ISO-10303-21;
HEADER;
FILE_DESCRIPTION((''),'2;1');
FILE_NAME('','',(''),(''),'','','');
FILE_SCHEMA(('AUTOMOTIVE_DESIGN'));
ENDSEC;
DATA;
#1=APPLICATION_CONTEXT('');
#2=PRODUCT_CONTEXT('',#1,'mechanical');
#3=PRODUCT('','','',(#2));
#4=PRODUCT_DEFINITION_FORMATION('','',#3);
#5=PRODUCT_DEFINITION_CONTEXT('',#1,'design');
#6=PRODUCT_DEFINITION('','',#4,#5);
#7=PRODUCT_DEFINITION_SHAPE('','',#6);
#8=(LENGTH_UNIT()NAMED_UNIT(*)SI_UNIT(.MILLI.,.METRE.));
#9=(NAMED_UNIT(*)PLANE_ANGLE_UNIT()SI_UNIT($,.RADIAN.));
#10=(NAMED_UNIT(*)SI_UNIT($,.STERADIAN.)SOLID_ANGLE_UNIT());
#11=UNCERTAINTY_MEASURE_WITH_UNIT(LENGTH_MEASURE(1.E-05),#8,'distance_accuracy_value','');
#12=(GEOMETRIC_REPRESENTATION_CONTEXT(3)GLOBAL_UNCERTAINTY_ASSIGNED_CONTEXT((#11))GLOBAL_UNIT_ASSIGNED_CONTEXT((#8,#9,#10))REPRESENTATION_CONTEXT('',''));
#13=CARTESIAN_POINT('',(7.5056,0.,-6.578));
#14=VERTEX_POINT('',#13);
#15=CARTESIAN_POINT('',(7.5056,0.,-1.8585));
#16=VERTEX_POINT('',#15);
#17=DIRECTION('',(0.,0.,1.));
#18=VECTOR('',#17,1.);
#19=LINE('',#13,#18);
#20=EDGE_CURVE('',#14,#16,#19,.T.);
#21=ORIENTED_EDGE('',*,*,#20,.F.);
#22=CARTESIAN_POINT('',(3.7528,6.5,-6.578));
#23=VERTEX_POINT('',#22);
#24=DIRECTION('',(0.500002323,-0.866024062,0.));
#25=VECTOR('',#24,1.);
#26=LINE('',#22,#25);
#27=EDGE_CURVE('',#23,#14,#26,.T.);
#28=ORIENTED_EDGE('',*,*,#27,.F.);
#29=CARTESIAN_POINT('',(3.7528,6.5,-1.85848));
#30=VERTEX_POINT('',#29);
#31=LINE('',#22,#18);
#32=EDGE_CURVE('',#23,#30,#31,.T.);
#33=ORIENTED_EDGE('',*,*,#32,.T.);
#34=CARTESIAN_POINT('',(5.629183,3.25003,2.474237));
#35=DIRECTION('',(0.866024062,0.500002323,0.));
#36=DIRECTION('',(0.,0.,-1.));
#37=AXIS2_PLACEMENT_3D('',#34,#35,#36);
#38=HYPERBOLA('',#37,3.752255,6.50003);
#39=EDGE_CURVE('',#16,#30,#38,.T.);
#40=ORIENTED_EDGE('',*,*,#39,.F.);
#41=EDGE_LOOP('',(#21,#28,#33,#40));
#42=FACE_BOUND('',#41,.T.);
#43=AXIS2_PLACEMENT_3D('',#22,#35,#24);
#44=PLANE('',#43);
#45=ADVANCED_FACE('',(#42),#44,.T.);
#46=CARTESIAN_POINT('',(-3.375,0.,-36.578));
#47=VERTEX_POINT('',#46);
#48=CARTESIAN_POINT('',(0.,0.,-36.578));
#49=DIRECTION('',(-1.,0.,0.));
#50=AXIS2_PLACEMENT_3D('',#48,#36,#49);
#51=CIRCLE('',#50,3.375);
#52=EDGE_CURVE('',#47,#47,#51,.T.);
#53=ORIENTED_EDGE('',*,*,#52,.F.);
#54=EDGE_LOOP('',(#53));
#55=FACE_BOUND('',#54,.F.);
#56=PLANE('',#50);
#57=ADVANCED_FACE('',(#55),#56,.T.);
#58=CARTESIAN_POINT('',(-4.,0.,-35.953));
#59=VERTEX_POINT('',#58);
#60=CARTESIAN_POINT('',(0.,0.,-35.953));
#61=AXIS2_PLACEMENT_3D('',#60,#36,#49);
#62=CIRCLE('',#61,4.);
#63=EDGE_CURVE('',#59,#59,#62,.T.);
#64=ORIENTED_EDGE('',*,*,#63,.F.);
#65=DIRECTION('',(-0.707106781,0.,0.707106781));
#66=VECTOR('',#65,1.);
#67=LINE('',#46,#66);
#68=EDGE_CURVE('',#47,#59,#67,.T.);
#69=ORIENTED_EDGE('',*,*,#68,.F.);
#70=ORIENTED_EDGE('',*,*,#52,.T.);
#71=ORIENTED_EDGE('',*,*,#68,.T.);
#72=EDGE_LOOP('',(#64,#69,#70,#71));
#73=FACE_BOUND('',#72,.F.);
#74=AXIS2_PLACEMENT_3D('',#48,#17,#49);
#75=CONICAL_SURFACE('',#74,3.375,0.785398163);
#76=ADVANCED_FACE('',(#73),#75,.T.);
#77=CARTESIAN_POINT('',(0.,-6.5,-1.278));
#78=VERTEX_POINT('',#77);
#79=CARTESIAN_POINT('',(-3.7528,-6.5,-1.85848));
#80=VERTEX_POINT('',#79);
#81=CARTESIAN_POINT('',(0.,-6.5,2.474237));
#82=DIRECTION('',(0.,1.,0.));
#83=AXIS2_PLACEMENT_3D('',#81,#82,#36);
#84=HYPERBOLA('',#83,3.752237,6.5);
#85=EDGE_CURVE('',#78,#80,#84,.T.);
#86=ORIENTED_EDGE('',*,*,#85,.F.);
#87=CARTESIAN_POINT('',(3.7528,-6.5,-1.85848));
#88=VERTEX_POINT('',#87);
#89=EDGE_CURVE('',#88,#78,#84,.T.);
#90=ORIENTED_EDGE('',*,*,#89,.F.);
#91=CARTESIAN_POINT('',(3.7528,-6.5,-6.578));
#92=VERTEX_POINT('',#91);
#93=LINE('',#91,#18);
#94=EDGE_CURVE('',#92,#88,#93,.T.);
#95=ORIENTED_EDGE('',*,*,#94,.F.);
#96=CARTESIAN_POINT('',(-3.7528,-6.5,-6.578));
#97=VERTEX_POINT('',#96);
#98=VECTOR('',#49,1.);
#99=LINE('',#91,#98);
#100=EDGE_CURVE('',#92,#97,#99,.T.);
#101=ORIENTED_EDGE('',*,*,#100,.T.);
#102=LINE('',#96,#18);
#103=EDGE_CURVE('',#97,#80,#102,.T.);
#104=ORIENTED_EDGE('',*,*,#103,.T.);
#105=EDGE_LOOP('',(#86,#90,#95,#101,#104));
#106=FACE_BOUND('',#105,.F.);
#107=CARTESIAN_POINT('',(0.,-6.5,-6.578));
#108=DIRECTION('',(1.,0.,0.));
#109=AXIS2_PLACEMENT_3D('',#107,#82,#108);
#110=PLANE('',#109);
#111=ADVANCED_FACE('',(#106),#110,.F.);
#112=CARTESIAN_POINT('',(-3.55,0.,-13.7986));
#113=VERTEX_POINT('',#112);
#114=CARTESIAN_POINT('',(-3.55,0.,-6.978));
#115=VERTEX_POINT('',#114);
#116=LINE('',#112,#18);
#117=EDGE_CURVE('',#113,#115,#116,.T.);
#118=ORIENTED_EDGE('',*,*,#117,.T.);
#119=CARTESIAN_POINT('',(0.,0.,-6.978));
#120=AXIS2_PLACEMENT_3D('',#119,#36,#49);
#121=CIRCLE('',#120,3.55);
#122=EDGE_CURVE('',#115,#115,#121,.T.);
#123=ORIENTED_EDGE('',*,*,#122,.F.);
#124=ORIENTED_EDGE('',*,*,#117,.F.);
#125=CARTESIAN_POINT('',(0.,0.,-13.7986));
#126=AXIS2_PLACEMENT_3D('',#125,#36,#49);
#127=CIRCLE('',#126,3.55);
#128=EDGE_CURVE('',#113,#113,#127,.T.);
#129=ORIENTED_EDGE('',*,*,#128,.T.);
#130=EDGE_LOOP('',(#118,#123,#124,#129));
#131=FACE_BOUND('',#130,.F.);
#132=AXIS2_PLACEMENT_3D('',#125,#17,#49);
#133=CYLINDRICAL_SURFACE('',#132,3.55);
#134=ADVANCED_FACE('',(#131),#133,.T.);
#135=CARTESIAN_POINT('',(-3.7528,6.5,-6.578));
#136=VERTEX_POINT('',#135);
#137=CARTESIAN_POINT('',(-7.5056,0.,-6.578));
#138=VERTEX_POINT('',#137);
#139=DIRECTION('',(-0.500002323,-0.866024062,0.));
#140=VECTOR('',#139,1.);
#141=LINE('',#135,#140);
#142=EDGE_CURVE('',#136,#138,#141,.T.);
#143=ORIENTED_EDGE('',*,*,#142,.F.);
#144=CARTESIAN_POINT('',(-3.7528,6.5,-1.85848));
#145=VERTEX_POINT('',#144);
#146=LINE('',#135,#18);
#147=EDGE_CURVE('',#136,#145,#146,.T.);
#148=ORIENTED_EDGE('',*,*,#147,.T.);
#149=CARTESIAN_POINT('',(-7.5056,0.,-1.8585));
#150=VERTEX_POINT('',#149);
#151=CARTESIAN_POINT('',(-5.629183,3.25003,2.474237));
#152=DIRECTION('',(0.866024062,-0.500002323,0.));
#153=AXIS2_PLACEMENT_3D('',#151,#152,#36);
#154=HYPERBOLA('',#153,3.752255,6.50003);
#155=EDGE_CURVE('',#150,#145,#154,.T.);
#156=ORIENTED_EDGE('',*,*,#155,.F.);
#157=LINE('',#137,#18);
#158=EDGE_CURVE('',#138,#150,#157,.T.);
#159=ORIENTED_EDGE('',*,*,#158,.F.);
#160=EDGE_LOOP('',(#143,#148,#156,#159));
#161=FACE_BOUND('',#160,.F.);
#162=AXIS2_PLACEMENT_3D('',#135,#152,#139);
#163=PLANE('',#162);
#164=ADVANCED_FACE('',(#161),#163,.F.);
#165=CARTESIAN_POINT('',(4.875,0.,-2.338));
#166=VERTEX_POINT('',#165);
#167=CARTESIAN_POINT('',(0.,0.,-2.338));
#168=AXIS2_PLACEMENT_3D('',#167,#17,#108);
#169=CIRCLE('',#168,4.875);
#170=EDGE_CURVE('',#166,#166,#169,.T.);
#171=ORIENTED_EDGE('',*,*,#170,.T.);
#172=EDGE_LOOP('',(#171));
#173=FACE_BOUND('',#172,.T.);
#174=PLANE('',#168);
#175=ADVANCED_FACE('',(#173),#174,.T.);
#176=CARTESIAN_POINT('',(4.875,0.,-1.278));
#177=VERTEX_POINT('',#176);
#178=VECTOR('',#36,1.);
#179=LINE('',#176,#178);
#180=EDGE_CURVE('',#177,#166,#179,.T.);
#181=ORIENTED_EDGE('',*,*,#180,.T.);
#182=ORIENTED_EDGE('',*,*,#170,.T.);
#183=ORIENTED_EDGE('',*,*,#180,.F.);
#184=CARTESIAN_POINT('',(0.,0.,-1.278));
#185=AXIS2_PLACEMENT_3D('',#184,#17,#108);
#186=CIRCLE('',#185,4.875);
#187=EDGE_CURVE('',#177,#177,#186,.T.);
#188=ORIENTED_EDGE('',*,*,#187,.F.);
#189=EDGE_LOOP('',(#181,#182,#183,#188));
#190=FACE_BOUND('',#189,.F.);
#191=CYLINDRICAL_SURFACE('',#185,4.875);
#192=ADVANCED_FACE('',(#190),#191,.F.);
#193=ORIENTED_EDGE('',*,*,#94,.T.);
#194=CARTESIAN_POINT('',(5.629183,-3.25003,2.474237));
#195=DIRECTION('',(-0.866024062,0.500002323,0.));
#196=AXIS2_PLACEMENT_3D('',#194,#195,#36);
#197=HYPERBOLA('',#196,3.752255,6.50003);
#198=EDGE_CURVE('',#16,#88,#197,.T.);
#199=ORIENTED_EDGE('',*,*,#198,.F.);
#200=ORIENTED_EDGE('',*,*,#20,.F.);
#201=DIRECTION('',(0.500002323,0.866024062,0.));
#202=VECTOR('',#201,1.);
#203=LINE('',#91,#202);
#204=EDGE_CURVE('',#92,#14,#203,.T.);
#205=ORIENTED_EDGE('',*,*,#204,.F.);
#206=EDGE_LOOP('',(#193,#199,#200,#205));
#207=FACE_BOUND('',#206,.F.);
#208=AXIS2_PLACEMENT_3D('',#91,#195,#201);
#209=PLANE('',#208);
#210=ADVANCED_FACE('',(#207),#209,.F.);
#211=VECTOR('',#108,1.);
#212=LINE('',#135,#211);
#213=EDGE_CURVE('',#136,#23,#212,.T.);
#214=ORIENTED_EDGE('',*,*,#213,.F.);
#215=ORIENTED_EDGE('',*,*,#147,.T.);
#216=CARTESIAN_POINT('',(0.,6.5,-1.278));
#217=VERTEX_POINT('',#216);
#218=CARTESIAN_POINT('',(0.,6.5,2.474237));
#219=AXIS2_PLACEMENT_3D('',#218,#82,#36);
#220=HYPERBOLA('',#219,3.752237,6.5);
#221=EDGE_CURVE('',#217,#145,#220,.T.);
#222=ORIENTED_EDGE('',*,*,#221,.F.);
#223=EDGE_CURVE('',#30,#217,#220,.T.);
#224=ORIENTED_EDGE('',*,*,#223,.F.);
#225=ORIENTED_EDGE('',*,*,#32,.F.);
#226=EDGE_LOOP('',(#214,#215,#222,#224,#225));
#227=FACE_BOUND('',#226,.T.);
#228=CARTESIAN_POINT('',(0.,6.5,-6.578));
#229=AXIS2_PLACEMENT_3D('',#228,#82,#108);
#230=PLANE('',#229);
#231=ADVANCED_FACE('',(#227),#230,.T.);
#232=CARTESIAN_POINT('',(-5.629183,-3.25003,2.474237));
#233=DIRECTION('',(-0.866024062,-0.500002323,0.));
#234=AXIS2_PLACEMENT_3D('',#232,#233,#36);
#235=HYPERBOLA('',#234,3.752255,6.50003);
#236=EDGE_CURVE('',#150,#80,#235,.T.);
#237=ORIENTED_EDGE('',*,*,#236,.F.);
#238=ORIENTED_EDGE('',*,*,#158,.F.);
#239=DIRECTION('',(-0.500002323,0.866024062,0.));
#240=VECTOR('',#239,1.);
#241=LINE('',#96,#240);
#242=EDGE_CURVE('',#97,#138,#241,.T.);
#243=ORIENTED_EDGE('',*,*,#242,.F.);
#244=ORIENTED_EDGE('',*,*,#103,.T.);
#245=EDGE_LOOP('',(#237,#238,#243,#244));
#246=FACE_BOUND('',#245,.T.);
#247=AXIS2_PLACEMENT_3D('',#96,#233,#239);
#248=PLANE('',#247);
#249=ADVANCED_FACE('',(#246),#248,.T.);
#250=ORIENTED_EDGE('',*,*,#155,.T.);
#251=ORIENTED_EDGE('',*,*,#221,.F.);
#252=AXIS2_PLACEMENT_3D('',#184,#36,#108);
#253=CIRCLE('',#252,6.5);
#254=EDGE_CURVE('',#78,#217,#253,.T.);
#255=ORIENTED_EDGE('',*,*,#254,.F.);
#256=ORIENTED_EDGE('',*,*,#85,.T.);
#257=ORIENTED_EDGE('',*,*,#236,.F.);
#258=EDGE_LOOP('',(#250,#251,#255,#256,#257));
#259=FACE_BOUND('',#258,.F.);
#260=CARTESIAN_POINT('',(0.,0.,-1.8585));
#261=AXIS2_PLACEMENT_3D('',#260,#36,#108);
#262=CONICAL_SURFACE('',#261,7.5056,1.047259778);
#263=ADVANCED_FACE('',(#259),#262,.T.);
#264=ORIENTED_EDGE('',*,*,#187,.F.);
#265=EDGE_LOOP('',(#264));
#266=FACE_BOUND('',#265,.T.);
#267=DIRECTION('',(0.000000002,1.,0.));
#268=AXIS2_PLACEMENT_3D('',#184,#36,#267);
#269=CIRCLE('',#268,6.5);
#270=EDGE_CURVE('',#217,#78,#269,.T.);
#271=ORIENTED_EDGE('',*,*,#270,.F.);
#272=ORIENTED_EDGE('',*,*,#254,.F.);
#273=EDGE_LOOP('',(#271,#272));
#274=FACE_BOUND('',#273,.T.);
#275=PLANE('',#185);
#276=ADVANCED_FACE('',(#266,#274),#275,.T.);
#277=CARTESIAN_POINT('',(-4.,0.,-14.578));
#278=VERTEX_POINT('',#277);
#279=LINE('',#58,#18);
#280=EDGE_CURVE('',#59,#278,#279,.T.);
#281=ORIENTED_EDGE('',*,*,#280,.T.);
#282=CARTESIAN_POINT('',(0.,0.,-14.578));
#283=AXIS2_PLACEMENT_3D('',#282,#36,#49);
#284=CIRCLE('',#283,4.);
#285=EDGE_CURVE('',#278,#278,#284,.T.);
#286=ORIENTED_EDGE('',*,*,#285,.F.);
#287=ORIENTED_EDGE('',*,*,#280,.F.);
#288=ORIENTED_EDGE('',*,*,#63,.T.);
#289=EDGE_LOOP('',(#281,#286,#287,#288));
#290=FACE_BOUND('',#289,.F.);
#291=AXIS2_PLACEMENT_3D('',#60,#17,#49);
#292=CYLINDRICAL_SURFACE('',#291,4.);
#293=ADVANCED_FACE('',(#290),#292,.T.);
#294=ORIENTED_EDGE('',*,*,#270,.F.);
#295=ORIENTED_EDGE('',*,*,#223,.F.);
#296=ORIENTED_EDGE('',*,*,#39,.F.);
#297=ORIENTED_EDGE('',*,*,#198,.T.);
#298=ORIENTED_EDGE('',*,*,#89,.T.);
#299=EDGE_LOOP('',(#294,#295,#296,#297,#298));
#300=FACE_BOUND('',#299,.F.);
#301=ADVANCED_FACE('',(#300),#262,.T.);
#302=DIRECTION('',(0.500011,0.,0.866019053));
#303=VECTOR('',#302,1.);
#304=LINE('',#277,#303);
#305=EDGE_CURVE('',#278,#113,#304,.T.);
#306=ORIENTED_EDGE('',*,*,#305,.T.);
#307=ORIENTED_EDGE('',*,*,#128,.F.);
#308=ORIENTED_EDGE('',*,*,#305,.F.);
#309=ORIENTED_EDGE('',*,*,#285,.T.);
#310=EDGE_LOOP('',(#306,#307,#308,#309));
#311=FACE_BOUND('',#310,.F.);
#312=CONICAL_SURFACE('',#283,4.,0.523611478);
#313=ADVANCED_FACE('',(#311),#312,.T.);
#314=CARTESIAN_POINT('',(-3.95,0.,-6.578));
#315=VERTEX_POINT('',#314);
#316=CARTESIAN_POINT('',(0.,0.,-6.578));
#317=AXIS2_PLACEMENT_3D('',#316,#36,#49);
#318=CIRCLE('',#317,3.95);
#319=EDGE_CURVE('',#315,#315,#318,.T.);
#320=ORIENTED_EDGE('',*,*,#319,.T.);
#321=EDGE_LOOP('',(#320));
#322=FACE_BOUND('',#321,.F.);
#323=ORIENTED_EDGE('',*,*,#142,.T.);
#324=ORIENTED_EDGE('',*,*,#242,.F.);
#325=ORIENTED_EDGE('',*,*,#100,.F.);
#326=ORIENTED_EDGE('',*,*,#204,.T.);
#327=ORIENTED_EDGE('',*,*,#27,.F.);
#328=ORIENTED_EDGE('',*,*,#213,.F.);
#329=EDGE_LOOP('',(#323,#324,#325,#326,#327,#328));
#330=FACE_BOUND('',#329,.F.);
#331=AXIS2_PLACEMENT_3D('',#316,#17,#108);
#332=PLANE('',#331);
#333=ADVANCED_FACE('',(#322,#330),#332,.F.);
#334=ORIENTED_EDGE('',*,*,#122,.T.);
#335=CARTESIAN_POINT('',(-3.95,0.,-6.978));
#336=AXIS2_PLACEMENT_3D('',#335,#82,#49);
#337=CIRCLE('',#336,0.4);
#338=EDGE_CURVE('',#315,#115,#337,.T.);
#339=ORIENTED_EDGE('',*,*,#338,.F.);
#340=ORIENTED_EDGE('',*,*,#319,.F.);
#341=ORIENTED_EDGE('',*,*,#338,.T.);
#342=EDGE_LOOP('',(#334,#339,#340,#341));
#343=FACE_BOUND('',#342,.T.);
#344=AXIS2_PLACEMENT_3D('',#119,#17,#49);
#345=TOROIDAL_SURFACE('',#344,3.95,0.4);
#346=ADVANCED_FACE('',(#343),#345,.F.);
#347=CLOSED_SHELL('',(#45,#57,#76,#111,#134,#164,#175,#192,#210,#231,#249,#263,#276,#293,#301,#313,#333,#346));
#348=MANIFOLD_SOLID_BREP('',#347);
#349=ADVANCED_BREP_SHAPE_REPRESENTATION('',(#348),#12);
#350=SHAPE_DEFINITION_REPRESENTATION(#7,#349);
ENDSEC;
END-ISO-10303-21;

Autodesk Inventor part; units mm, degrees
ref_plane "YZ Plane" through (0, 0, 0) normal (1, 0, 0) x (0, 1, 0)
sketch "Sketch2" plane through (0, 0, 0) normal (0, 1, 0) x (-1, 0, 0)
  line L0 (0, -6.578) -> (0, -36.578)
  line L1 (0, -36.578) -> (3.375, -36.578)
  line L2 (4, -35.953) -> (4, -14.578)
  line L3 (4, -14.578) -> (3.55, -13.7986)
  line L4 (3.55, -13.7986) -> (3.55, -6.578)
  line L5 (3.55, -6.578) -> (0, -6.578)
  line L6 (3.375, -36.578) -> (4, -35.953)
  line L7 (4, -36.578) -> (4, -37.4619)
  line L8 (0, -43.6386) -> (0, -0.4012) projected
  dimension "Ds" = 7.1
  dimension "NND" = 8
  dimension "b" = 22
  dimension "d3" = 30
  dimension "d5" = 45
  dimension "PTC" = 1.25
  dimension "NLG" = 30
revolve "Revolution1" add sketch "Sketch2" angle 360 about axis through (0, 0, -6.578) along (0, 0, -1)
sketch "Sketch3" plane through (0, 0, -6.578) normal (0, 0, 1) x (1, 0, 0)
  circle A0 centre (0, 0) radius 3.55 projected
  line L0 (0, 6.5) -> (3.7528, 6.5)
  line L1 (3.7528, 6.5) -> (7.5056, 0)
  line L2 (7.5056, 0) -> (0, 0)
  line L3 (0, 0) -> (0, 6.5)
  line L4 (0, 6.5) -> (-3.7528, 6.5)
  line L5 (-3.7528, 6.5) -> (-7.5056, 0)
  line L6 (0, -6.5) -> (3.7528, -6.5)
  line L7 (3.7528, -6.5) -> (7.5056, 0)
  line L8 (-3.7528, -6.5) -> (-7.5056, 0)
  line L9 (0, -6.5) -> (-3.7528, -6.5)
  dimension "d9" = 60
  dimension "ParS" = 13
  dimension "msp_d11" = 13
extrude "Extrusion1" add sketch "Sketch3" along normal blind 5.3
sketch "Sketch4" plane through (0, 0, 0) normal (0, 1, 0) x (-1, 0, 0)
  line L0 (-6.5, -1.278) -> (-7.5056, -1.278)
  line L1 (-7.5056, -1.278) -> (-7.5056, -1.8585)
  line L2 (-7.5056, -1.8585) -> (-6.5, -1.278)
  line L3 (0, -13.4454) -> (0, 34.6268) projected
  line L4 (0, 27.7593) -> (0, 27.1787)
  line L5 (-7.5056, -6.578) -> (-7.5056, -1.278) projected
  line L6 (-3.7528, -1.278) -> (-7.5056, -1.278) projected
  dimension "d14" = 30
  dimension "msp_d15" = 13
revolve "Revolution2" cut sketch "Sketch4" angle 360 about axis through (0, 0, 27.7593) along (0, 0, -1)
sketch "Sketch5" plane through (0, 0, -1.278) normal (0, 0, 1) x (1, 0, 0)
  arc A0 (5.6292, 3.25) -> (0, 6.5) centre (0, 0) ccw projected
  circle A1 centre (0, 0) radius 4.875
  dimension "d27" = 9.75
extrude "Extrusion2" cut sketch "Sketch5" against normal blind 1.06
thread "Thread1" size "M8x1.25" class "6g" standard "ISO Metric profile" full length
ref_plane "MSC_PF1" through (0, 0, 0) normal (0, 1, 0) x (-1, 0, 0)
ref_plane "MSC_PT1" through (0, 0, -6.578) normal (0, 0, -1) x (-1, 0, 0)
fillet "Fillet1" radius 0.4 1 edges at (3.55, 0, -6.578)
equation "\"msp_d11\" = ParS"
equation "\"msp_d15\" = ParS"
equation "\"d27\" = 0.75 * ParS"
equation "\"d28\" = 0.2 * ParK"
equation "\"d30\" = r"
equation "\"msp_d17\" = b"
equation "\"r\" = 0.4"
equation "\"THREADDIA\" = NND"
equation "\"ParK\" = 5.3"
properties part number "ISO 4015 - M8 x 30" material "Stainless Steel, 440C"
